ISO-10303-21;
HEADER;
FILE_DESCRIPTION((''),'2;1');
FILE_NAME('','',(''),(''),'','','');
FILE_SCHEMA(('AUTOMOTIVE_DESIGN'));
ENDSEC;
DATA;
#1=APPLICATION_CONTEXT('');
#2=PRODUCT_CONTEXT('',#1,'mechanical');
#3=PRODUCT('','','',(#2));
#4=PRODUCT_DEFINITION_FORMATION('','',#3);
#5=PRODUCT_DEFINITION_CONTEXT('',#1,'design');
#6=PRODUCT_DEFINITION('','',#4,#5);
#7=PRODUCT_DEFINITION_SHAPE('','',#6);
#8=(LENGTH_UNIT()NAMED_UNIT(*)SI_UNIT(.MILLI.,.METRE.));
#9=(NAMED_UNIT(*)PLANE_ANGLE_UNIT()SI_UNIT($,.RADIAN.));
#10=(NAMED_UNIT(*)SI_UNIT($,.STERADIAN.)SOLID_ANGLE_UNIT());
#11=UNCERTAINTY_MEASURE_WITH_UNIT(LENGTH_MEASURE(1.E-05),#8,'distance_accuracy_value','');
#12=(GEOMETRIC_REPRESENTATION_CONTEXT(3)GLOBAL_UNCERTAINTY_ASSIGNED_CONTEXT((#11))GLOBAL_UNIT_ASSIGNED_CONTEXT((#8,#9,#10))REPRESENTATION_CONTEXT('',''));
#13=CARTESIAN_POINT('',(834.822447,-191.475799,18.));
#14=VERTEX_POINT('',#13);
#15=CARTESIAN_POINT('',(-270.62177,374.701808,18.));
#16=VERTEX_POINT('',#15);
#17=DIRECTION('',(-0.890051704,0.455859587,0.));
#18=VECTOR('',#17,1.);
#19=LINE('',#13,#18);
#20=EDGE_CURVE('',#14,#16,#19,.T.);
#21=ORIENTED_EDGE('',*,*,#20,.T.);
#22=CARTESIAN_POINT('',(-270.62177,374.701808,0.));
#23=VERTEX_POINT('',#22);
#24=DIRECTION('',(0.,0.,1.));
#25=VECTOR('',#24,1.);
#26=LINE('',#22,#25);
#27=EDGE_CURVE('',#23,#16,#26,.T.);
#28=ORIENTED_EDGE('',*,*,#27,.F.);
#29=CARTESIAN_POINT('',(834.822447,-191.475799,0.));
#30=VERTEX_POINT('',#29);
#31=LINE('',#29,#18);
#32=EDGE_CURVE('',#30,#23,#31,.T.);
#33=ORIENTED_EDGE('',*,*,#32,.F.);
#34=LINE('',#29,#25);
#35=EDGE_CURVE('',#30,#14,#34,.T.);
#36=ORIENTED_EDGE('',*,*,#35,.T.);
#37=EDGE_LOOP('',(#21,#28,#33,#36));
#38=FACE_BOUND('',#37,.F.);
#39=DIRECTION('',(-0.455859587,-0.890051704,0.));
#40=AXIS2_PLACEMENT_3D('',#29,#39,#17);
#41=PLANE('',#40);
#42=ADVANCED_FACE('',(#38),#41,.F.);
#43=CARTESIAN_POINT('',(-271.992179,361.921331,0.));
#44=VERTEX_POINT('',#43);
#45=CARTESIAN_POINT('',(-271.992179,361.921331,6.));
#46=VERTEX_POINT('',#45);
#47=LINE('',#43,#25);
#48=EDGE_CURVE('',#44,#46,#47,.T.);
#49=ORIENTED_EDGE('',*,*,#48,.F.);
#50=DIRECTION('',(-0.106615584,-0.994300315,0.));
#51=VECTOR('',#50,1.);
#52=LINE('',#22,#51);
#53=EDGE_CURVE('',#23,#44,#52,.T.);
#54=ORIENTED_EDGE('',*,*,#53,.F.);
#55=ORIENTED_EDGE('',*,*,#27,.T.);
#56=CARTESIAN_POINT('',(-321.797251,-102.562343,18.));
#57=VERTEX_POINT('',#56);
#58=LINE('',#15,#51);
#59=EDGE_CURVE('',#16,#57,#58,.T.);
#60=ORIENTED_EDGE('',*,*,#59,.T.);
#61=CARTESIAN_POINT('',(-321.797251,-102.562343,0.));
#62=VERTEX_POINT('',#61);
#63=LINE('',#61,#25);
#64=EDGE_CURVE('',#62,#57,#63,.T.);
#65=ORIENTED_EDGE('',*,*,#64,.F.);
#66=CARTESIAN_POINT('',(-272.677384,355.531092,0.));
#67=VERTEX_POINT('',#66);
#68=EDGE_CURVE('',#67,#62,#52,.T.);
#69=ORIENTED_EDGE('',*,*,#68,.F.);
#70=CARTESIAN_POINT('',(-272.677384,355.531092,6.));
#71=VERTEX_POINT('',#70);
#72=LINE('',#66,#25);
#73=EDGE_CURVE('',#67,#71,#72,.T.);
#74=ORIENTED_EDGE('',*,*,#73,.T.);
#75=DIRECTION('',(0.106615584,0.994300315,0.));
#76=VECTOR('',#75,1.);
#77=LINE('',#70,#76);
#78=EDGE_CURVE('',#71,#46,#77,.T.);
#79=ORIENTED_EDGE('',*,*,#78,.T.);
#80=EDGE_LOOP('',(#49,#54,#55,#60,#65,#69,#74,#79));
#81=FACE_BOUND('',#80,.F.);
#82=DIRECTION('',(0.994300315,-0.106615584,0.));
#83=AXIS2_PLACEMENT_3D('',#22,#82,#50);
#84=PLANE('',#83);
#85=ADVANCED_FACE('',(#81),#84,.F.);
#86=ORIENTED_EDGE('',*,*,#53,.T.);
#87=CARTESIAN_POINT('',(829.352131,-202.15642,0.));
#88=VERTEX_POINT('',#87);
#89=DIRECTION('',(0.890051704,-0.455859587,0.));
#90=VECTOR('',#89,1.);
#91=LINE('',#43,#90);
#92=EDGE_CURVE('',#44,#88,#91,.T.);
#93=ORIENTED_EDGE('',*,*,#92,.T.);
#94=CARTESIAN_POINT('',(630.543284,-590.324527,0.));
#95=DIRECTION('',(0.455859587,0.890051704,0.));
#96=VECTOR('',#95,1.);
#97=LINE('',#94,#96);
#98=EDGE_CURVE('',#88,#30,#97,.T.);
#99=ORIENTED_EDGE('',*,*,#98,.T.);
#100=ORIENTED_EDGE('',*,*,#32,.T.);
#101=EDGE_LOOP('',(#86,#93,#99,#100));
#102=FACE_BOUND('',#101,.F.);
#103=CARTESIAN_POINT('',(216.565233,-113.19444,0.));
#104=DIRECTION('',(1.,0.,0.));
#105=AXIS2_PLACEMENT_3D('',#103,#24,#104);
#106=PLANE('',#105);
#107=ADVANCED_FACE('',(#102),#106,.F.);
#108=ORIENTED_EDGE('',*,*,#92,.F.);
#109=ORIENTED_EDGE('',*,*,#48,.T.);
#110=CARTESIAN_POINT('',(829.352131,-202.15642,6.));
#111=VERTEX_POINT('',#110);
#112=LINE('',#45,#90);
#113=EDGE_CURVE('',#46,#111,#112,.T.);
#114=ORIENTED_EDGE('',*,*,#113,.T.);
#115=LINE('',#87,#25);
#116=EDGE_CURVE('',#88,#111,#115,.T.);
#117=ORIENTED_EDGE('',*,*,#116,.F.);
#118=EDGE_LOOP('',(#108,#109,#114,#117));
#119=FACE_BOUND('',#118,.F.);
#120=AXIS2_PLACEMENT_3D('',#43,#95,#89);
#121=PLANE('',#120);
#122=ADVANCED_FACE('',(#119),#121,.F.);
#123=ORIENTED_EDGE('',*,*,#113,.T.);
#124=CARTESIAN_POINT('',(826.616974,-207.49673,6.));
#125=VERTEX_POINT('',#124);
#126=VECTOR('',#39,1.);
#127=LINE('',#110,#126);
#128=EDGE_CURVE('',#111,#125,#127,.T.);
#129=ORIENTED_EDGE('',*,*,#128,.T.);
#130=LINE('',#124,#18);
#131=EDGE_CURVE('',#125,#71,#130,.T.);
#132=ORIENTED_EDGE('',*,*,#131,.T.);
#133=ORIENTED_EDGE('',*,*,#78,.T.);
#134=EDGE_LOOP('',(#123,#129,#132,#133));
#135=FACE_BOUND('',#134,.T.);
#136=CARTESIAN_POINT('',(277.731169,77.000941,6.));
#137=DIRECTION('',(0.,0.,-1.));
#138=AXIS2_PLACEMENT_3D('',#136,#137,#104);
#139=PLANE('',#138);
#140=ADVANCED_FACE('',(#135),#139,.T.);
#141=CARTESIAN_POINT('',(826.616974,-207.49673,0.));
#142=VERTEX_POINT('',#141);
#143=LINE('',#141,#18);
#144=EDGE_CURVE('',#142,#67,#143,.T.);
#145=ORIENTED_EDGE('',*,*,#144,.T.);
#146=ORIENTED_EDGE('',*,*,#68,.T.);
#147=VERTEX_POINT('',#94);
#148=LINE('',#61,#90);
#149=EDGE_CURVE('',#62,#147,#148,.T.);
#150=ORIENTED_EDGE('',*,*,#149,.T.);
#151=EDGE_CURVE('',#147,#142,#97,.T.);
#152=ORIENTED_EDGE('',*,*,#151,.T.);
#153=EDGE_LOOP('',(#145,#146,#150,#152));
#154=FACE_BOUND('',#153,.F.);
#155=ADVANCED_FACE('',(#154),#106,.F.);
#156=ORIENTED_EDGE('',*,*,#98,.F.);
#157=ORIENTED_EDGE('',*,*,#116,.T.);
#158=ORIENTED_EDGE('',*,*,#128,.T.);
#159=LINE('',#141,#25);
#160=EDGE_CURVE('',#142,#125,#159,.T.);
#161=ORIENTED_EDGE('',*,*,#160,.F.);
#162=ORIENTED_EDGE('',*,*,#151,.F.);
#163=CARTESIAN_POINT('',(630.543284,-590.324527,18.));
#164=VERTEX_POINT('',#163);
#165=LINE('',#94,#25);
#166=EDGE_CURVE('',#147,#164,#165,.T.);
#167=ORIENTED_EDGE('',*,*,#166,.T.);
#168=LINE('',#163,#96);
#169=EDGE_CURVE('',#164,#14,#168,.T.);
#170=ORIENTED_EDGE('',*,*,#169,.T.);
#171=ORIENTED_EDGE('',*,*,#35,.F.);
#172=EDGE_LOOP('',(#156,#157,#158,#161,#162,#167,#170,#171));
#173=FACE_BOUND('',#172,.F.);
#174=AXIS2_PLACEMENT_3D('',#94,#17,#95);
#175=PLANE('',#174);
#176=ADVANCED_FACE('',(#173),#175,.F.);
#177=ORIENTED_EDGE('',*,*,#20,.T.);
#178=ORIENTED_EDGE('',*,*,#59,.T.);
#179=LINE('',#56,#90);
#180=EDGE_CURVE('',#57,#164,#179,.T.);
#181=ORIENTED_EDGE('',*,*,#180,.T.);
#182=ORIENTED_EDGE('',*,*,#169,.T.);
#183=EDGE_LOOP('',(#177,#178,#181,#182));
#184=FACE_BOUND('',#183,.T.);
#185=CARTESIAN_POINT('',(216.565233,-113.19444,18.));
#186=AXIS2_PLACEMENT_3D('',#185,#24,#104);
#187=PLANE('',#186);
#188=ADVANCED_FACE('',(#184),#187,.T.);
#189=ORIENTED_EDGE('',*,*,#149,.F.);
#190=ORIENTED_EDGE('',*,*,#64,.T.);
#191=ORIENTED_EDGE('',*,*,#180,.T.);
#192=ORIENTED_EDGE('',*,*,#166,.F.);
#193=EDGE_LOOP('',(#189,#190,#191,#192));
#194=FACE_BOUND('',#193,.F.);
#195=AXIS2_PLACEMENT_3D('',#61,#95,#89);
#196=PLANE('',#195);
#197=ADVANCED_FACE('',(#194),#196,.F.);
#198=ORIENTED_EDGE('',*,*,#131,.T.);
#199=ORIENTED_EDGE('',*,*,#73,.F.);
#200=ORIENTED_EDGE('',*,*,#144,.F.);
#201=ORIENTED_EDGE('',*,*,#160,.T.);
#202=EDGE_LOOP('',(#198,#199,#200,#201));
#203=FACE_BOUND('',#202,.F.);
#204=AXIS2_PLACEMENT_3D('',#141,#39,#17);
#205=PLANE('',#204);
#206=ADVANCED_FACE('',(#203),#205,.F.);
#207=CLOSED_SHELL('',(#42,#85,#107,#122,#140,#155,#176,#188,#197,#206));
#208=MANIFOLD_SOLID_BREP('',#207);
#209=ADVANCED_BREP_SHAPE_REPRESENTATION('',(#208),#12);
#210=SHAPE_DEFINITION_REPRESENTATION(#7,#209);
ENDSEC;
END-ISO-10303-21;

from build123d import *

# Parameters (mm, degrees)
F1_DEPTH = 18
F3_DEPTH = 6


with BuildPart() as f1:
    # F0 (on Top) → F1 (new body)
    with BuildSketch(Plane.XY):
        Polygon((834.8224465267, -191.4757991363), (-270.6217704598, 374.7018082726), (-321.7972505834, -102.5623431511), (630.5432843246, -590.3245270833), align=None)
    extrude(amount=F1_DEPTH)

    # F2 (on face) → F3 (cut)
    with BuildSketch(Plane(origin=(0, 0, 0), x_dir=(1, 0, 0), z_dir=(0, 0, -1))):
        Polygon((-271.9921794431, -361.9213306116), (829.3521314793, 202.1564195902), (826.6169739555, 207.4967298172), (-272.6773839347, -355.5310917811), align=None)
    extrude(amount=-F3_DEPTH, mode=Mode.SUBTRACT)


solid = f1.part
